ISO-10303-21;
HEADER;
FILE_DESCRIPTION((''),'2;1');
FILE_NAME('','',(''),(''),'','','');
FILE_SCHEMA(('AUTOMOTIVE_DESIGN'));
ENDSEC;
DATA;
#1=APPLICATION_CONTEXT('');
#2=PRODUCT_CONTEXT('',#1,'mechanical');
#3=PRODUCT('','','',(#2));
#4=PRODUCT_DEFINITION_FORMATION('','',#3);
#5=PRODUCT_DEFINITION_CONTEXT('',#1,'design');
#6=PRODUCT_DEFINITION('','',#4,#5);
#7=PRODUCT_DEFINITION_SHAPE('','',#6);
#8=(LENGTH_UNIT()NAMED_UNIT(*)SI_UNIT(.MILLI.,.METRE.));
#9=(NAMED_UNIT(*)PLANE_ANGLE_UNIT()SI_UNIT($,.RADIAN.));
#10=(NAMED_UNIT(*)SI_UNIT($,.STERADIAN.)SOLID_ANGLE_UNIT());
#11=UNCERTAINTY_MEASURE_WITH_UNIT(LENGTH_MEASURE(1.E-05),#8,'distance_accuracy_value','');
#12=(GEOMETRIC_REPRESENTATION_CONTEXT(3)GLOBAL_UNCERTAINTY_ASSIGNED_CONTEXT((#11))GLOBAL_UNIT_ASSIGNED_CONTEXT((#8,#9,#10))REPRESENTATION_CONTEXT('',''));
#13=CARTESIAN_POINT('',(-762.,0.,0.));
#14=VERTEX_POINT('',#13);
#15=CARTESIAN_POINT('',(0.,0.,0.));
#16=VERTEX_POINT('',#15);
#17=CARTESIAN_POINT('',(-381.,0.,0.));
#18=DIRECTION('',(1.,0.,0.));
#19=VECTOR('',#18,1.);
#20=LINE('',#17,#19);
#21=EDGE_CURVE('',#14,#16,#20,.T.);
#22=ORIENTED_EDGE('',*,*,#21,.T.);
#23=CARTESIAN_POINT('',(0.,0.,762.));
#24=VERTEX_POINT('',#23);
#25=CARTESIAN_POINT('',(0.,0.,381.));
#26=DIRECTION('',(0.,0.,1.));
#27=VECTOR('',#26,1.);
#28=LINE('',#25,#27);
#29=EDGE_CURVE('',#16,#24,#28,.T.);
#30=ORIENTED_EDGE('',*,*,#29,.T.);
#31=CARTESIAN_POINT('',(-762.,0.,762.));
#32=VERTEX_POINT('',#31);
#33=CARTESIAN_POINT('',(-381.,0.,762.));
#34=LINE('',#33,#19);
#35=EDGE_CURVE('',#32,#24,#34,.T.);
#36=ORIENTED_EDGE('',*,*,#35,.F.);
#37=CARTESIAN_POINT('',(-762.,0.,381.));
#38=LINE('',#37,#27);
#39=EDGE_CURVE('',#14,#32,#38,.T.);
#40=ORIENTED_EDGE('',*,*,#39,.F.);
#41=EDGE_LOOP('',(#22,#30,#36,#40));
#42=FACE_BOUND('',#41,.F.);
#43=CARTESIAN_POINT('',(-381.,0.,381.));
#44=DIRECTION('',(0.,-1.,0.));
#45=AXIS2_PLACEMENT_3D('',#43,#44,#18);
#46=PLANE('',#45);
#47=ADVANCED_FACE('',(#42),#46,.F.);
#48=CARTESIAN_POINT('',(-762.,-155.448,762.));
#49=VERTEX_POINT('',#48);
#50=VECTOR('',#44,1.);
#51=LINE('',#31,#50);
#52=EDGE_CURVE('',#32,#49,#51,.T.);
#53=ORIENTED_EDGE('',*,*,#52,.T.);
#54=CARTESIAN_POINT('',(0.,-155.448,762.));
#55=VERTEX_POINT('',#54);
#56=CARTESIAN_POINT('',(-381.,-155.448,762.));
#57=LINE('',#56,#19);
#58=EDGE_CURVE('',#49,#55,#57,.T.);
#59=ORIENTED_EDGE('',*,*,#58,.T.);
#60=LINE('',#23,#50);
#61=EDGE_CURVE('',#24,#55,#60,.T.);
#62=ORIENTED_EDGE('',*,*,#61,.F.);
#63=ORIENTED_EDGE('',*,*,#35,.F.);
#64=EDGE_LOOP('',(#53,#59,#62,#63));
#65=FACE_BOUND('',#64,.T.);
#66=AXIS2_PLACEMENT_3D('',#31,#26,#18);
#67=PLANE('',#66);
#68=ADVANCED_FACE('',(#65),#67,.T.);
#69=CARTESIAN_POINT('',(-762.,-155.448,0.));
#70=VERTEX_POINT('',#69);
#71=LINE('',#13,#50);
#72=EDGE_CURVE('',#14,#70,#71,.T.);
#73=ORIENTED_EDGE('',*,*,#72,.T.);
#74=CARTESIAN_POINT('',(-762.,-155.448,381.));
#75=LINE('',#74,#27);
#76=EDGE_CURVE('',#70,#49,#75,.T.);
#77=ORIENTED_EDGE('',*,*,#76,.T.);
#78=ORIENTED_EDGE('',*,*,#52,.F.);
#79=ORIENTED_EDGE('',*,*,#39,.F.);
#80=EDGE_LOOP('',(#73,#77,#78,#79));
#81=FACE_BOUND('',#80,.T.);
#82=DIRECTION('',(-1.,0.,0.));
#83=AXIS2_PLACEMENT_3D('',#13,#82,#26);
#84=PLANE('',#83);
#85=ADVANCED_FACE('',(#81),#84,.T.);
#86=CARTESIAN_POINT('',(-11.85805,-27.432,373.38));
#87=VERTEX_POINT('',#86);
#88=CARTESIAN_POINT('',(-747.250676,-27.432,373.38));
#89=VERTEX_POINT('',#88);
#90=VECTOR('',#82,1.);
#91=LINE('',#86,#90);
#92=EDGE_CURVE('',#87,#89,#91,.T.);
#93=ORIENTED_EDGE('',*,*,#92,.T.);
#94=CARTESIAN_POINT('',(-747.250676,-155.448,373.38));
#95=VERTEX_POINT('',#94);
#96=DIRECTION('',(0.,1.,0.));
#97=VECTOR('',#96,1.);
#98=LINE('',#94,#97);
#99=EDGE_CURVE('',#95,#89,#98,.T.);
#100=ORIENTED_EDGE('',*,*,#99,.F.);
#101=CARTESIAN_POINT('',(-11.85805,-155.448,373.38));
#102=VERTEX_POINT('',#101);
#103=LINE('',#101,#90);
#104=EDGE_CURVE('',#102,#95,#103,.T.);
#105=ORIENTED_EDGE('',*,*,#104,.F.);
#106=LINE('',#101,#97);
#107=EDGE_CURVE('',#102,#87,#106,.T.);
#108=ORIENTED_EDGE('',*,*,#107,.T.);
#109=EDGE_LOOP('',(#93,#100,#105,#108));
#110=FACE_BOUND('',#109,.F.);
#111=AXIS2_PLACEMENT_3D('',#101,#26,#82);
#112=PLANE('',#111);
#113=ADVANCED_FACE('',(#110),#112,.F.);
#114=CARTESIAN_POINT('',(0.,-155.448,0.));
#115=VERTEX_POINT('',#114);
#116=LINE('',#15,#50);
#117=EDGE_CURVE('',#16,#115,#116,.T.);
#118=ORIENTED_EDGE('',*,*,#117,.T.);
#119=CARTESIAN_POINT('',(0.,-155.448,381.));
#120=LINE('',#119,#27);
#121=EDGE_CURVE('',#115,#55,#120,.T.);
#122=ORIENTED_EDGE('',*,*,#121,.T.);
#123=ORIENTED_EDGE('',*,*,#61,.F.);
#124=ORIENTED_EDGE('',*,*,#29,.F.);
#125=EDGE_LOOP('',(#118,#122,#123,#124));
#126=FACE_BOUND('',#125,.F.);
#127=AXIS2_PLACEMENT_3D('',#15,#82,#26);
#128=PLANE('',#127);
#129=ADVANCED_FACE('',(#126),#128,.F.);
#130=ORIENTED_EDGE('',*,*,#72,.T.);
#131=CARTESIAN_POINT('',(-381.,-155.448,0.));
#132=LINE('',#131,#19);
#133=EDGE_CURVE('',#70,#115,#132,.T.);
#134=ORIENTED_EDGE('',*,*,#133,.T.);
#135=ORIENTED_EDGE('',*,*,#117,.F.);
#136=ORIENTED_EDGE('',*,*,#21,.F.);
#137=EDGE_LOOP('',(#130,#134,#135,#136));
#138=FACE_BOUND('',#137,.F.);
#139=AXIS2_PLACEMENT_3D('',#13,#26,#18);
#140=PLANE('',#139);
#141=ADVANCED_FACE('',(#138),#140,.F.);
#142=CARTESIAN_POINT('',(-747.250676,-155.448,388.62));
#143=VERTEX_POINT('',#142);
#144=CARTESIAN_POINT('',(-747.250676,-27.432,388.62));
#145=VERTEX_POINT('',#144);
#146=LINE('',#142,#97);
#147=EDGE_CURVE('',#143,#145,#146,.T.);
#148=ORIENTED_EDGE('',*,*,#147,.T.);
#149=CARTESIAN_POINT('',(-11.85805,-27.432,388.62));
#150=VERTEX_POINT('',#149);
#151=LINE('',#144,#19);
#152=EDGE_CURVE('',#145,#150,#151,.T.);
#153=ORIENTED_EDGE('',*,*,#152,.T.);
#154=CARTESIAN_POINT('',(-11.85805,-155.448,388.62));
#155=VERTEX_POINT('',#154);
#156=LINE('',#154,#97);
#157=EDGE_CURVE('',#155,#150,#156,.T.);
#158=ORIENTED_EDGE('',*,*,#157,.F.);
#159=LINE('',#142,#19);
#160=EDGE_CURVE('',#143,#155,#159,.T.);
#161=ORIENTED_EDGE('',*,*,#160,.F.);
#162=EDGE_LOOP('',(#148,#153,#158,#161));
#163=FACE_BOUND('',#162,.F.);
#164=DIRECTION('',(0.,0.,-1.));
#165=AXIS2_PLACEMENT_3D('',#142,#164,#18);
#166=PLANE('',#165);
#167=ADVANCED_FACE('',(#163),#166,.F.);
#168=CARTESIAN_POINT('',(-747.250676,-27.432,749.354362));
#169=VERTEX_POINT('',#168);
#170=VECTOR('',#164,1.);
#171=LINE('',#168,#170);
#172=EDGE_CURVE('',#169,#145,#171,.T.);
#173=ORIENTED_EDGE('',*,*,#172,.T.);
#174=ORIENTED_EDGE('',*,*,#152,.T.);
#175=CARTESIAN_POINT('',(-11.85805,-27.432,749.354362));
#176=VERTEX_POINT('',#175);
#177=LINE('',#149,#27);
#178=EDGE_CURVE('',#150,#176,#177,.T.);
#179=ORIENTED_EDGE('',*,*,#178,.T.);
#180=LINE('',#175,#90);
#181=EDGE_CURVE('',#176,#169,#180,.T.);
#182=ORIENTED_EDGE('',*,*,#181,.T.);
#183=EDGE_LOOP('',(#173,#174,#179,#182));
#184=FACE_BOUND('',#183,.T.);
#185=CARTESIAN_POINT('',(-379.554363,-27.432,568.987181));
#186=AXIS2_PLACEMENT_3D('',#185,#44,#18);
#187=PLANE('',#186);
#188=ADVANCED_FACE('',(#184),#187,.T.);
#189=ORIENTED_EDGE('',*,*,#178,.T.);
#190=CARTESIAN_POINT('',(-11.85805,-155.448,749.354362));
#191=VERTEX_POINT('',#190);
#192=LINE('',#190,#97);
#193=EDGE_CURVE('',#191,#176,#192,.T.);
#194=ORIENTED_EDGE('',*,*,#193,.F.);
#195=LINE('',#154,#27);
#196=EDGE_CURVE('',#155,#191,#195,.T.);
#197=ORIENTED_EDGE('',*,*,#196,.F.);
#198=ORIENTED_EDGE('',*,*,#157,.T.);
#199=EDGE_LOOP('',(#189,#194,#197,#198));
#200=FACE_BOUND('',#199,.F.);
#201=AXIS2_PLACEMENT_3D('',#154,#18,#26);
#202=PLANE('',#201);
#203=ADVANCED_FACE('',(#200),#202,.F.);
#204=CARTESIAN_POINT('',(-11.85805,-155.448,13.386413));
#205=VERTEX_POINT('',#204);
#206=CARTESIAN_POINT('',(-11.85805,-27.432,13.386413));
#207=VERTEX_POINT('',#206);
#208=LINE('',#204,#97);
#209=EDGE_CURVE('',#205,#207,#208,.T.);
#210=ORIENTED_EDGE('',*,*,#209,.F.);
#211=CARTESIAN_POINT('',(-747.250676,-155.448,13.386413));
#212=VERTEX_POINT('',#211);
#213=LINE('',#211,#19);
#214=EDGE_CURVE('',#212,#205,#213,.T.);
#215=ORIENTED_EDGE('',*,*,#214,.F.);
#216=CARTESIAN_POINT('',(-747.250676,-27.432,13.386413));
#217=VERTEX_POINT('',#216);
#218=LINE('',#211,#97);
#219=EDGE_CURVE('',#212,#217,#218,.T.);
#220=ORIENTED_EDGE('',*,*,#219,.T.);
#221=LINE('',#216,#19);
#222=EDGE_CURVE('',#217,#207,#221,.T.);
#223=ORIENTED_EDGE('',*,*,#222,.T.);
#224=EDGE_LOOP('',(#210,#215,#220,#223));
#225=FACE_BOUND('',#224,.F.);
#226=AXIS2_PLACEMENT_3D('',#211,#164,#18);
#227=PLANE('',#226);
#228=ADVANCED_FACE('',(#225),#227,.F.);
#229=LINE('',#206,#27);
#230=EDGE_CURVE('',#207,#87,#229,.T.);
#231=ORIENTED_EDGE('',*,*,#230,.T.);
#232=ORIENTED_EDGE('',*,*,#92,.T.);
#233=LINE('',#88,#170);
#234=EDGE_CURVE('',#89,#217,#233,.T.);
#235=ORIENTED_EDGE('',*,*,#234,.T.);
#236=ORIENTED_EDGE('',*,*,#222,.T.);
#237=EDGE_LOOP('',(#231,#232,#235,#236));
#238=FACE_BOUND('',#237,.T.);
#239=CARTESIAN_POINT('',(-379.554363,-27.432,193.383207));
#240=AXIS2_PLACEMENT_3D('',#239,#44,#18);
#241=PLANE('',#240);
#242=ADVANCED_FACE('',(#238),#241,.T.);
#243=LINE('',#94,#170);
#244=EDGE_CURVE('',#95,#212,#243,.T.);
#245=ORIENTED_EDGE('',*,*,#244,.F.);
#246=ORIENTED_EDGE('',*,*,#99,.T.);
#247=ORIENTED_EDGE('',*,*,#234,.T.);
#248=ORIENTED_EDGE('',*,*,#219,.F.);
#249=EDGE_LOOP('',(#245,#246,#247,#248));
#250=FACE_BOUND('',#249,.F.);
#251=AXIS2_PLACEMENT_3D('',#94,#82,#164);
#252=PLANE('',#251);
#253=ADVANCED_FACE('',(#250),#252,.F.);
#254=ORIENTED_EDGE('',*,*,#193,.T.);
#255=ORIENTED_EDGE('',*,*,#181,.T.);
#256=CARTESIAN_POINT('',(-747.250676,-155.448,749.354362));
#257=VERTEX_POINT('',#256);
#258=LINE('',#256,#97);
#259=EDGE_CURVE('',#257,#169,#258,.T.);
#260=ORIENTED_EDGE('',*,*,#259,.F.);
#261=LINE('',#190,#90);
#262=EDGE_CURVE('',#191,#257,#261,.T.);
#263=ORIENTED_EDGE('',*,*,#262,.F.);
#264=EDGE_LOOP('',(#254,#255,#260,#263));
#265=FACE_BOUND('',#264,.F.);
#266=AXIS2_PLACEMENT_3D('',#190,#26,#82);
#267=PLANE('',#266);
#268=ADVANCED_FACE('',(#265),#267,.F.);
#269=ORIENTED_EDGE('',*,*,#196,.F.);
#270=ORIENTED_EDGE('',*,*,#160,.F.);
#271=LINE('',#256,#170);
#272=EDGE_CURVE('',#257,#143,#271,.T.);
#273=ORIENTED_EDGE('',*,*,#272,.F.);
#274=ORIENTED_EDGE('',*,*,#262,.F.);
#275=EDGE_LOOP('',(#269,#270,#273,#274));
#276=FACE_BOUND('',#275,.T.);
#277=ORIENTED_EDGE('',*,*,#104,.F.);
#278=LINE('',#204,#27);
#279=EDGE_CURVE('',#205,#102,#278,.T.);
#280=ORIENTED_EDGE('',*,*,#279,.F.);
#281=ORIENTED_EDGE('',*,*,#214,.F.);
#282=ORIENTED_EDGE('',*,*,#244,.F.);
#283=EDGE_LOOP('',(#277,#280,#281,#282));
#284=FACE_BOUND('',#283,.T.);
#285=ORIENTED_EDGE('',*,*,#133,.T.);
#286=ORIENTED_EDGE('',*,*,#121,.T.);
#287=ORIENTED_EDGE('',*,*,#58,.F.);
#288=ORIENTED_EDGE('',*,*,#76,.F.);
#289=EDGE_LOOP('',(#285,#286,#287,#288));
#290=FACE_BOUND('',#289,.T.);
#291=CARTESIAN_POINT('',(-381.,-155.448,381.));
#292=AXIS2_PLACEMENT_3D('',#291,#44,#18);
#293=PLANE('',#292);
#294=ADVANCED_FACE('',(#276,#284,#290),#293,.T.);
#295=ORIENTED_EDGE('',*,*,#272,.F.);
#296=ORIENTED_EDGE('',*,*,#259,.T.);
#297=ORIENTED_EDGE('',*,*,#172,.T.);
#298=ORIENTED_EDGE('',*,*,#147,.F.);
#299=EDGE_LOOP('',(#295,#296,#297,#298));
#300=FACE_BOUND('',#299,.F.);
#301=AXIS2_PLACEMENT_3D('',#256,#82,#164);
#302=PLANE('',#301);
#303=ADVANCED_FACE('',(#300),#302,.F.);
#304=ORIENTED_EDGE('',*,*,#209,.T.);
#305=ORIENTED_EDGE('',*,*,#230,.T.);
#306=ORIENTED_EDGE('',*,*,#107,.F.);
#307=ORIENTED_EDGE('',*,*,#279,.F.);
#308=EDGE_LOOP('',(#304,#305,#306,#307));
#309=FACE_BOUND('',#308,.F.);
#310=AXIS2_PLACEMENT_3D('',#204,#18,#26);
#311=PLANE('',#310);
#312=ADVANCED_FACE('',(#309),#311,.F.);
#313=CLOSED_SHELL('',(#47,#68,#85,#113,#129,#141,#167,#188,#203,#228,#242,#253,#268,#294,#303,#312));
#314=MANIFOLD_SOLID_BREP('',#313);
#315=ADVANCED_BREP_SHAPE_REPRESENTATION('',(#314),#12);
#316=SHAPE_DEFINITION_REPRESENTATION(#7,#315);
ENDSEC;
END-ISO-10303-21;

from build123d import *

# Parameters (mm, degrees)
F0_W     = 762
F0_H     = 762
F1_DEPTH = 155.448
F3_DEPTH = 128.016


with BuildPart() as f1:
    # F0 (on Front) → F1 (new body)
    with BuildSketch(Plane.XZ):
        with Locations((-381, 381)):
            Rectangle(F0_W, F0_H)
    extrude(amount=F1_DEPTH)

    # F2 (on face) → F3 (cut)
    with BuildSketch(Plane.XZ.offset(155.448)):
        Polygon((-747.250676, 388.62), (-381, 388.62), (-11.85805, 388.62), (-11.85805, 749.354362), (-747.250676, 749.354362), align=None)
        Polygon((-381, 373.38), (-747.250676, 373.38), (-747.250676, 13.386413), (-11.85805, 13.386413), (-11.85805, 373.38), align=None)
    extrude(amount=-F3_DEPTH, mode=Mode.SUBTRACT)


solid = f1.part
